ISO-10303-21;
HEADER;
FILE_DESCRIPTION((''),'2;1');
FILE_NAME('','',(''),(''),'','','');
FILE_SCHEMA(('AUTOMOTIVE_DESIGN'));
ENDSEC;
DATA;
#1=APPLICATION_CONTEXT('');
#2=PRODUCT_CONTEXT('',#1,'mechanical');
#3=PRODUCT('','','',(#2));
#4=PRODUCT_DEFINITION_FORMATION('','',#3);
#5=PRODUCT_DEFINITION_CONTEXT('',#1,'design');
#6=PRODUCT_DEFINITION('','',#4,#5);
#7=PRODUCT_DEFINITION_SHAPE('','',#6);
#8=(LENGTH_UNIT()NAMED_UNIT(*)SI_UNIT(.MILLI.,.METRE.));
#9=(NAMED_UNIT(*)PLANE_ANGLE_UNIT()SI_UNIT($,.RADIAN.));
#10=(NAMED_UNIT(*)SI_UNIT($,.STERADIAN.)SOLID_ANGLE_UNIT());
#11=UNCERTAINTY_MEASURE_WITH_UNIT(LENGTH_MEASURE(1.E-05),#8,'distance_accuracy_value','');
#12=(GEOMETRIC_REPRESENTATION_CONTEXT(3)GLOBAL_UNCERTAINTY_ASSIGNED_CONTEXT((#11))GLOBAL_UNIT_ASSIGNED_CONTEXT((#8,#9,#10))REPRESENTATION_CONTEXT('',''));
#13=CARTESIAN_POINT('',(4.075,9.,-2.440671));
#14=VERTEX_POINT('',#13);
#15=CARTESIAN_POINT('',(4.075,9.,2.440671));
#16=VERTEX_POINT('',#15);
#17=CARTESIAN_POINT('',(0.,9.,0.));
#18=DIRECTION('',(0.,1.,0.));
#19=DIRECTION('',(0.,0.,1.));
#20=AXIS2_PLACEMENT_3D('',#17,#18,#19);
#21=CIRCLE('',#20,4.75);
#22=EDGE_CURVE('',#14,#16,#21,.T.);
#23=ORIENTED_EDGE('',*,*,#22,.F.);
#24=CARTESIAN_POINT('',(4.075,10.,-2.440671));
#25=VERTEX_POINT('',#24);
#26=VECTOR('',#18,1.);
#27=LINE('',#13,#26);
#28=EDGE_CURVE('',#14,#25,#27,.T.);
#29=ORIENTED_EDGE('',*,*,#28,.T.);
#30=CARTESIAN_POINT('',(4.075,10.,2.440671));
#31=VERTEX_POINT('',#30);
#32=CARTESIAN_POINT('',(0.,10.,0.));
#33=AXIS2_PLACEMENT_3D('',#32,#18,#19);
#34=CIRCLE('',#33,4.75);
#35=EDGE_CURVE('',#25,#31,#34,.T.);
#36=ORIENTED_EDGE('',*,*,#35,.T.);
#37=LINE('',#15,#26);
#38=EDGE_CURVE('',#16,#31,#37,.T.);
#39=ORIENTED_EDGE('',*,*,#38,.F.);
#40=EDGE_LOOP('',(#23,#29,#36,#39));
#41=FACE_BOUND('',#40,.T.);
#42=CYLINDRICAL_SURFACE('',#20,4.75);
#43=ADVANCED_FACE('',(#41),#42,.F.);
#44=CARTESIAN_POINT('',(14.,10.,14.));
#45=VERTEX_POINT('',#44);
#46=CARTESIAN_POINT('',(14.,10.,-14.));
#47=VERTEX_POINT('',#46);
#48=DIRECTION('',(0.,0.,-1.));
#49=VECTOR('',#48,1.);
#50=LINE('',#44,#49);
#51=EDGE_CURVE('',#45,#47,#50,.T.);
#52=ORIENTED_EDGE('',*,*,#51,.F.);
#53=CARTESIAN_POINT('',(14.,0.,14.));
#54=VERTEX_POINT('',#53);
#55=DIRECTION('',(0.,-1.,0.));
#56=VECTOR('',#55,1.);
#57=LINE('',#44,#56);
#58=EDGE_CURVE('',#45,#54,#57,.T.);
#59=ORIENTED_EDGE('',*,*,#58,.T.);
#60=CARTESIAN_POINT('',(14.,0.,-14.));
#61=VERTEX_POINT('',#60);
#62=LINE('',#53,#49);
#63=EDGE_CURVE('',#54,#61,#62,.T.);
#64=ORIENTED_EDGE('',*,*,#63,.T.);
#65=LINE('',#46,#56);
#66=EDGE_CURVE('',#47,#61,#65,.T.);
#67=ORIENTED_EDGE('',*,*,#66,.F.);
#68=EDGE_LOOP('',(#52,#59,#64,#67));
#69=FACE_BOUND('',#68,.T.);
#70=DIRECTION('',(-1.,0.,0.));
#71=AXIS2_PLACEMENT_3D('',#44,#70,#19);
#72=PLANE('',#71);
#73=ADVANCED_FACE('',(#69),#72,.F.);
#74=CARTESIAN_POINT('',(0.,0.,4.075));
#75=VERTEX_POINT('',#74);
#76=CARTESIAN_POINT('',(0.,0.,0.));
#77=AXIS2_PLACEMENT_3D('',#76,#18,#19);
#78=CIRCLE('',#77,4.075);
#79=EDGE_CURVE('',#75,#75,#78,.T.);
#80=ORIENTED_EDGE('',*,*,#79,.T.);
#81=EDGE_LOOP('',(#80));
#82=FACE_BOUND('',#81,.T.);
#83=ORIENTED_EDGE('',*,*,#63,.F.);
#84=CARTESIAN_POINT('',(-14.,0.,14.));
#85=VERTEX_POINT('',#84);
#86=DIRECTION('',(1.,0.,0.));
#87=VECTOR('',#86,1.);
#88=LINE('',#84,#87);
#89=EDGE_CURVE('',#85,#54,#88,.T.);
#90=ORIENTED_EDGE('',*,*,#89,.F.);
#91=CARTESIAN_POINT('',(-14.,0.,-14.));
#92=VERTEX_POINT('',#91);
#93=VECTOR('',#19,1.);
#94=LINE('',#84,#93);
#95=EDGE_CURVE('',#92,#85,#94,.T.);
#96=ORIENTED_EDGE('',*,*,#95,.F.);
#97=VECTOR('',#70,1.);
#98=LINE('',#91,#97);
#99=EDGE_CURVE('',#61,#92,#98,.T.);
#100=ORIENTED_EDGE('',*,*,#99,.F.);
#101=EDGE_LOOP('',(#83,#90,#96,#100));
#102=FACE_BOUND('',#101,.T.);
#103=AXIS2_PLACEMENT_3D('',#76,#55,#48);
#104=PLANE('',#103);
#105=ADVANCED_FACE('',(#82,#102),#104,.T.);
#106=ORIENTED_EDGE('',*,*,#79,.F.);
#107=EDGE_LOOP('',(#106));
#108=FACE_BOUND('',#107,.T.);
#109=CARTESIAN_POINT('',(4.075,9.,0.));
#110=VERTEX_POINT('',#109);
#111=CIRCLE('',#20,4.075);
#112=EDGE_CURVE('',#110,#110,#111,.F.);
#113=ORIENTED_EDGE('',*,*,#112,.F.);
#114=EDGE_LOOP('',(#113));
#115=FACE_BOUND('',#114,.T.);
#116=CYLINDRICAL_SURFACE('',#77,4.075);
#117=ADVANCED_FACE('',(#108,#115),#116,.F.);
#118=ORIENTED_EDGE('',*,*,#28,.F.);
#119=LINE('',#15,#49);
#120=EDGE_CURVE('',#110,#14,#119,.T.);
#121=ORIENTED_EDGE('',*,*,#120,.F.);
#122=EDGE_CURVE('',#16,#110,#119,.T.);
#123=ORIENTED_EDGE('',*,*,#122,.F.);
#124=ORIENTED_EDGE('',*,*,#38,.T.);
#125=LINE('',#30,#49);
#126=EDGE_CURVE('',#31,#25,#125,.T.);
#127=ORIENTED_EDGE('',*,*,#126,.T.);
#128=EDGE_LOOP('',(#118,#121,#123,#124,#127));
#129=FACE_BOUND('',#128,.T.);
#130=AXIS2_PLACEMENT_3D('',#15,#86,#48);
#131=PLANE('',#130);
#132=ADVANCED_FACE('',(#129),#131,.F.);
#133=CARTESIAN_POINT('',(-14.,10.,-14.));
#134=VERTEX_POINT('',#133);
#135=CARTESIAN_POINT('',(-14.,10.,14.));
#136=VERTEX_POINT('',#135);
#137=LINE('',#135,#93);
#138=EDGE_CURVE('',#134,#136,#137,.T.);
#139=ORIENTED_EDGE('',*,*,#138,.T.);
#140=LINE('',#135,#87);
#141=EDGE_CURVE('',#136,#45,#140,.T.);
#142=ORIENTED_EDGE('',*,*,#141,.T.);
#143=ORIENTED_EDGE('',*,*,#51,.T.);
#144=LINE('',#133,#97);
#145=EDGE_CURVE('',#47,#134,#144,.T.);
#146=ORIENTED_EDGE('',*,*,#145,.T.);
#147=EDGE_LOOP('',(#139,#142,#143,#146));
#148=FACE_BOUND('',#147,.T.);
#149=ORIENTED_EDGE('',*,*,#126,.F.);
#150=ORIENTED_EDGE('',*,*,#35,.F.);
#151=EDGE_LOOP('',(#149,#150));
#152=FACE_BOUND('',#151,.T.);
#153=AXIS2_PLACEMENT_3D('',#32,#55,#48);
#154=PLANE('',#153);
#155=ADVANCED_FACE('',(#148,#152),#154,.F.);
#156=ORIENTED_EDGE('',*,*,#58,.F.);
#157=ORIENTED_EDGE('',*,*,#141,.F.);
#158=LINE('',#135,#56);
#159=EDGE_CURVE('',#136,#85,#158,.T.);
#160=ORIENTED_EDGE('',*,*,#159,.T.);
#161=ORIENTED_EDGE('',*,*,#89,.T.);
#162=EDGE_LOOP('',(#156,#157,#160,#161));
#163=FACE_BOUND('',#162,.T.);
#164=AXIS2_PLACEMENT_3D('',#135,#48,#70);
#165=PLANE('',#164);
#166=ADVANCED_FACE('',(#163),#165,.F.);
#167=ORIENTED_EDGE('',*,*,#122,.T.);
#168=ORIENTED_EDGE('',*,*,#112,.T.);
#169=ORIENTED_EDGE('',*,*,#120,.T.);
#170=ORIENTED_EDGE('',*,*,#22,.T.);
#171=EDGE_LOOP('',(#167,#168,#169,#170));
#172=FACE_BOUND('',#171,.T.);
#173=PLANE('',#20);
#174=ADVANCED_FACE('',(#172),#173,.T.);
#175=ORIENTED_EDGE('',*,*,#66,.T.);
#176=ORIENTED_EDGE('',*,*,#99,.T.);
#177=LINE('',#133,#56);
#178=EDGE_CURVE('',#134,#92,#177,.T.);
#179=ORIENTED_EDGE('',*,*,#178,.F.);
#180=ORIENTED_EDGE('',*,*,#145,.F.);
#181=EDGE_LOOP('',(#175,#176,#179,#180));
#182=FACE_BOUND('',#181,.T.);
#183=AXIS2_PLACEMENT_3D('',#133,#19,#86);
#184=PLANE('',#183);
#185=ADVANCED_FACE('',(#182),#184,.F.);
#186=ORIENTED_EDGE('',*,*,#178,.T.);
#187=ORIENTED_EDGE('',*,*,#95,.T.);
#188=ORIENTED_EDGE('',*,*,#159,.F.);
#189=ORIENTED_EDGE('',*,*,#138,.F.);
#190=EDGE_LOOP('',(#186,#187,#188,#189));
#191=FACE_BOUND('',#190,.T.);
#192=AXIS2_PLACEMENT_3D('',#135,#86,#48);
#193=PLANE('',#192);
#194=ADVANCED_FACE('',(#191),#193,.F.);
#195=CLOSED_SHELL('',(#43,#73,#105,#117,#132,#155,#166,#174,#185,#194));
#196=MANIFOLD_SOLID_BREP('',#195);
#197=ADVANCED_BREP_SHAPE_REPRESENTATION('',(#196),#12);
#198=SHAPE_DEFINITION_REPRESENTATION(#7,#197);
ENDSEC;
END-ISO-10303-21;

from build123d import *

# Parameters (mm, degrees)
SKETCH1_W           = 28
SKETCH1_H           = 28
BOSS_EXTRUDE1_DEPTH = 10
SKETCH2_R           = 4.075
CUT_EXTRUDE1_DEPTH  = 23.181073013
CUT_EXTRUDE2_DEPTH  = 1


with BuildPart() as part:
    # Sketch1 → Boss-Extrude1 (new body)
    with BuildSketch(Plane(origin=(0, 0, 0), x_dir=(1, 0, 0), z_dir=(0, 1, 0))):
        Rectangle(SKETCH1_W, SKETCH1_H)
    extrude(amount=BOSS_EXTRUDE1_DEPTH)

    # Sketch2 → Cut-Extrude1 (cut, through all)
    with BuildSketch(Plane(origin=(0, 10, 0), x_dir=(1, 0, 0), z_dir=(0, 1, 0))):
        with Locations(Location((0, 0, 0), (0, 0, 270))):
            Circle(SKETCH2_R)
    extrude(amount=-CUT_EXTRUDE1_DEPTH, mode=Mode.SUBTRACT)

    # Sketch3 → Cut-Extrude2 (cut)
    with BuildSketch(Plane(origin=(0, 10, 0), x_dir=(1, 0, 0), z_dir=(0, 1, 0))):
        with BuildLine():
            Line((4.075, -2.440671014), (4.075, 2.440671014))
            ThreePointArc((4.075, 2.440671014), (-4.75, 0), (4.075, -2.440671014))
        make_face()
    extrude(amount=-CUT_EXTRUDE2_DEPTH, mode=Mode.SUBTRACT)


solid = part.part
